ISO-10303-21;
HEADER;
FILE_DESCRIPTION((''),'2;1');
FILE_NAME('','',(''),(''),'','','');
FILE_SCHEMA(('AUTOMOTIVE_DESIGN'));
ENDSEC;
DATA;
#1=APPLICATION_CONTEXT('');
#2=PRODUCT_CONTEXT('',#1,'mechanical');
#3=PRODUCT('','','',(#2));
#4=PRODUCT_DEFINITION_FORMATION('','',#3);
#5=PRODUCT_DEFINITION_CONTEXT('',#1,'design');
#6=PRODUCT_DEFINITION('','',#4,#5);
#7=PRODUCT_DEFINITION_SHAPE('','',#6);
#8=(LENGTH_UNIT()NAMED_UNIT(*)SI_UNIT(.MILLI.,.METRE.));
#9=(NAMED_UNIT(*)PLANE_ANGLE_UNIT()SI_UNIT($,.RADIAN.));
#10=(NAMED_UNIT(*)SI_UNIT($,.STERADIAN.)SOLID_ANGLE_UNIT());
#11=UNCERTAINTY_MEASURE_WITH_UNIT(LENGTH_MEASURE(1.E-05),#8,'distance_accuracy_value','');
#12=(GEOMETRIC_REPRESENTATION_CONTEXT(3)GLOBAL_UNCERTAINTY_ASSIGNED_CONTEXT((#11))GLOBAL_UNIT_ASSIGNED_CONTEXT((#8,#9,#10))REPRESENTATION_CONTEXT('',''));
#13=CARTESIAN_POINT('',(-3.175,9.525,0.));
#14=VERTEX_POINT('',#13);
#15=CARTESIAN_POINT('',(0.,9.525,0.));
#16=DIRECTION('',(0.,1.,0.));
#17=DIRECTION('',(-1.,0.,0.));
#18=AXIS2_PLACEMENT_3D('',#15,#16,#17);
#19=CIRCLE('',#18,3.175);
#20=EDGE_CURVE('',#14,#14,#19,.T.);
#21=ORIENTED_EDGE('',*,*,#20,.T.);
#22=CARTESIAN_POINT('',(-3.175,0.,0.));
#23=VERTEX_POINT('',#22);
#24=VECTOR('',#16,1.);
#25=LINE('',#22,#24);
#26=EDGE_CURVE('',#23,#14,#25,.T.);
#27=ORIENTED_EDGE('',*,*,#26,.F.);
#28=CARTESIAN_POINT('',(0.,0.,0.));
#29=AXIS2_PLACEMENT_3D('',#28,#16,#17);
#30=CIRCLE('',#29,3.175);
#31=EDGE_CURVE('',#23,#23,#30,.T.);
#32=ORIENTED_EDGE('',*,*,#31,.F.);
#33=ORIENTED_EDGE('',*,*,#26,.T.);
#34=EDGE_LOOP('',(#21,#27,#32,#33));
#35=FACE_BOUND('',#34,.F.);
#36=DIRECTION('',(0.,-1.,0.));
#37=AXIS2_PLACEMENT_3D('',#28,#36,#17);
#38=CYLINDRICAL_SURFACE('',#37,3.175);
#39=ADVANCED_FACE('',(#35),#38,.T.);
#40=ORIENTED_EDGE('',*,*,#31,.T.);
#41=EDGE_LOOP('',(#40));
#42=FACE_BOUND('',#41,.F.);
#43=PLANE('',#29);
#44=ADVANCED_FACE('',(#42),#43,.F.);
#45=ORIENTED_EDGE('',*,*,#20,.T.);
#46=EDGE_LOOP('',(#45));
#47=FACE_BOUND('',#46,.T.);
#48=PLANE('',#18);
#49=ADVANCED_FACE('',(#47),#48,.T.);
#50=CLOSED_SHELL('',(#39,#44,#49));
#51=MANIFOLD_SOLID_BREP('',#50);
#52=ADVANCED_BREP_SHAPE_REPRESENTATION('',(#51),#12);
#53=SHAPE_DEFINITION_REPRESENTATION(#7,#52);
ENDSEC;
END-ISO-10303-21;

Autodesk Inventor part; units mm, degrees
ref_plane "YZ Plane" through (0, 0, 0) normal (1, 0, 0) x (0, 1, 0)
ref_plane "XZ Plane" through (0, 0, 0) normal (0, 1, 0) x (-1, 0, 0)
ref_plane "XY Plane" through (0, 0, 0) normal (0, 0, 1) x (1, 0, 0)
sketch "Sketch1" plane through (0, 0, 0) normal (0, 1, 0) x (-1, 0, 0)
  circle A0 centre (0, 0) radius 3.175
  dimension "d0" = 6.35
extrude "Extrusion1" add sketch "Sketch1" along normal blind 9.525
properties part number "sailScrewCover" material "ABS Plastic"
